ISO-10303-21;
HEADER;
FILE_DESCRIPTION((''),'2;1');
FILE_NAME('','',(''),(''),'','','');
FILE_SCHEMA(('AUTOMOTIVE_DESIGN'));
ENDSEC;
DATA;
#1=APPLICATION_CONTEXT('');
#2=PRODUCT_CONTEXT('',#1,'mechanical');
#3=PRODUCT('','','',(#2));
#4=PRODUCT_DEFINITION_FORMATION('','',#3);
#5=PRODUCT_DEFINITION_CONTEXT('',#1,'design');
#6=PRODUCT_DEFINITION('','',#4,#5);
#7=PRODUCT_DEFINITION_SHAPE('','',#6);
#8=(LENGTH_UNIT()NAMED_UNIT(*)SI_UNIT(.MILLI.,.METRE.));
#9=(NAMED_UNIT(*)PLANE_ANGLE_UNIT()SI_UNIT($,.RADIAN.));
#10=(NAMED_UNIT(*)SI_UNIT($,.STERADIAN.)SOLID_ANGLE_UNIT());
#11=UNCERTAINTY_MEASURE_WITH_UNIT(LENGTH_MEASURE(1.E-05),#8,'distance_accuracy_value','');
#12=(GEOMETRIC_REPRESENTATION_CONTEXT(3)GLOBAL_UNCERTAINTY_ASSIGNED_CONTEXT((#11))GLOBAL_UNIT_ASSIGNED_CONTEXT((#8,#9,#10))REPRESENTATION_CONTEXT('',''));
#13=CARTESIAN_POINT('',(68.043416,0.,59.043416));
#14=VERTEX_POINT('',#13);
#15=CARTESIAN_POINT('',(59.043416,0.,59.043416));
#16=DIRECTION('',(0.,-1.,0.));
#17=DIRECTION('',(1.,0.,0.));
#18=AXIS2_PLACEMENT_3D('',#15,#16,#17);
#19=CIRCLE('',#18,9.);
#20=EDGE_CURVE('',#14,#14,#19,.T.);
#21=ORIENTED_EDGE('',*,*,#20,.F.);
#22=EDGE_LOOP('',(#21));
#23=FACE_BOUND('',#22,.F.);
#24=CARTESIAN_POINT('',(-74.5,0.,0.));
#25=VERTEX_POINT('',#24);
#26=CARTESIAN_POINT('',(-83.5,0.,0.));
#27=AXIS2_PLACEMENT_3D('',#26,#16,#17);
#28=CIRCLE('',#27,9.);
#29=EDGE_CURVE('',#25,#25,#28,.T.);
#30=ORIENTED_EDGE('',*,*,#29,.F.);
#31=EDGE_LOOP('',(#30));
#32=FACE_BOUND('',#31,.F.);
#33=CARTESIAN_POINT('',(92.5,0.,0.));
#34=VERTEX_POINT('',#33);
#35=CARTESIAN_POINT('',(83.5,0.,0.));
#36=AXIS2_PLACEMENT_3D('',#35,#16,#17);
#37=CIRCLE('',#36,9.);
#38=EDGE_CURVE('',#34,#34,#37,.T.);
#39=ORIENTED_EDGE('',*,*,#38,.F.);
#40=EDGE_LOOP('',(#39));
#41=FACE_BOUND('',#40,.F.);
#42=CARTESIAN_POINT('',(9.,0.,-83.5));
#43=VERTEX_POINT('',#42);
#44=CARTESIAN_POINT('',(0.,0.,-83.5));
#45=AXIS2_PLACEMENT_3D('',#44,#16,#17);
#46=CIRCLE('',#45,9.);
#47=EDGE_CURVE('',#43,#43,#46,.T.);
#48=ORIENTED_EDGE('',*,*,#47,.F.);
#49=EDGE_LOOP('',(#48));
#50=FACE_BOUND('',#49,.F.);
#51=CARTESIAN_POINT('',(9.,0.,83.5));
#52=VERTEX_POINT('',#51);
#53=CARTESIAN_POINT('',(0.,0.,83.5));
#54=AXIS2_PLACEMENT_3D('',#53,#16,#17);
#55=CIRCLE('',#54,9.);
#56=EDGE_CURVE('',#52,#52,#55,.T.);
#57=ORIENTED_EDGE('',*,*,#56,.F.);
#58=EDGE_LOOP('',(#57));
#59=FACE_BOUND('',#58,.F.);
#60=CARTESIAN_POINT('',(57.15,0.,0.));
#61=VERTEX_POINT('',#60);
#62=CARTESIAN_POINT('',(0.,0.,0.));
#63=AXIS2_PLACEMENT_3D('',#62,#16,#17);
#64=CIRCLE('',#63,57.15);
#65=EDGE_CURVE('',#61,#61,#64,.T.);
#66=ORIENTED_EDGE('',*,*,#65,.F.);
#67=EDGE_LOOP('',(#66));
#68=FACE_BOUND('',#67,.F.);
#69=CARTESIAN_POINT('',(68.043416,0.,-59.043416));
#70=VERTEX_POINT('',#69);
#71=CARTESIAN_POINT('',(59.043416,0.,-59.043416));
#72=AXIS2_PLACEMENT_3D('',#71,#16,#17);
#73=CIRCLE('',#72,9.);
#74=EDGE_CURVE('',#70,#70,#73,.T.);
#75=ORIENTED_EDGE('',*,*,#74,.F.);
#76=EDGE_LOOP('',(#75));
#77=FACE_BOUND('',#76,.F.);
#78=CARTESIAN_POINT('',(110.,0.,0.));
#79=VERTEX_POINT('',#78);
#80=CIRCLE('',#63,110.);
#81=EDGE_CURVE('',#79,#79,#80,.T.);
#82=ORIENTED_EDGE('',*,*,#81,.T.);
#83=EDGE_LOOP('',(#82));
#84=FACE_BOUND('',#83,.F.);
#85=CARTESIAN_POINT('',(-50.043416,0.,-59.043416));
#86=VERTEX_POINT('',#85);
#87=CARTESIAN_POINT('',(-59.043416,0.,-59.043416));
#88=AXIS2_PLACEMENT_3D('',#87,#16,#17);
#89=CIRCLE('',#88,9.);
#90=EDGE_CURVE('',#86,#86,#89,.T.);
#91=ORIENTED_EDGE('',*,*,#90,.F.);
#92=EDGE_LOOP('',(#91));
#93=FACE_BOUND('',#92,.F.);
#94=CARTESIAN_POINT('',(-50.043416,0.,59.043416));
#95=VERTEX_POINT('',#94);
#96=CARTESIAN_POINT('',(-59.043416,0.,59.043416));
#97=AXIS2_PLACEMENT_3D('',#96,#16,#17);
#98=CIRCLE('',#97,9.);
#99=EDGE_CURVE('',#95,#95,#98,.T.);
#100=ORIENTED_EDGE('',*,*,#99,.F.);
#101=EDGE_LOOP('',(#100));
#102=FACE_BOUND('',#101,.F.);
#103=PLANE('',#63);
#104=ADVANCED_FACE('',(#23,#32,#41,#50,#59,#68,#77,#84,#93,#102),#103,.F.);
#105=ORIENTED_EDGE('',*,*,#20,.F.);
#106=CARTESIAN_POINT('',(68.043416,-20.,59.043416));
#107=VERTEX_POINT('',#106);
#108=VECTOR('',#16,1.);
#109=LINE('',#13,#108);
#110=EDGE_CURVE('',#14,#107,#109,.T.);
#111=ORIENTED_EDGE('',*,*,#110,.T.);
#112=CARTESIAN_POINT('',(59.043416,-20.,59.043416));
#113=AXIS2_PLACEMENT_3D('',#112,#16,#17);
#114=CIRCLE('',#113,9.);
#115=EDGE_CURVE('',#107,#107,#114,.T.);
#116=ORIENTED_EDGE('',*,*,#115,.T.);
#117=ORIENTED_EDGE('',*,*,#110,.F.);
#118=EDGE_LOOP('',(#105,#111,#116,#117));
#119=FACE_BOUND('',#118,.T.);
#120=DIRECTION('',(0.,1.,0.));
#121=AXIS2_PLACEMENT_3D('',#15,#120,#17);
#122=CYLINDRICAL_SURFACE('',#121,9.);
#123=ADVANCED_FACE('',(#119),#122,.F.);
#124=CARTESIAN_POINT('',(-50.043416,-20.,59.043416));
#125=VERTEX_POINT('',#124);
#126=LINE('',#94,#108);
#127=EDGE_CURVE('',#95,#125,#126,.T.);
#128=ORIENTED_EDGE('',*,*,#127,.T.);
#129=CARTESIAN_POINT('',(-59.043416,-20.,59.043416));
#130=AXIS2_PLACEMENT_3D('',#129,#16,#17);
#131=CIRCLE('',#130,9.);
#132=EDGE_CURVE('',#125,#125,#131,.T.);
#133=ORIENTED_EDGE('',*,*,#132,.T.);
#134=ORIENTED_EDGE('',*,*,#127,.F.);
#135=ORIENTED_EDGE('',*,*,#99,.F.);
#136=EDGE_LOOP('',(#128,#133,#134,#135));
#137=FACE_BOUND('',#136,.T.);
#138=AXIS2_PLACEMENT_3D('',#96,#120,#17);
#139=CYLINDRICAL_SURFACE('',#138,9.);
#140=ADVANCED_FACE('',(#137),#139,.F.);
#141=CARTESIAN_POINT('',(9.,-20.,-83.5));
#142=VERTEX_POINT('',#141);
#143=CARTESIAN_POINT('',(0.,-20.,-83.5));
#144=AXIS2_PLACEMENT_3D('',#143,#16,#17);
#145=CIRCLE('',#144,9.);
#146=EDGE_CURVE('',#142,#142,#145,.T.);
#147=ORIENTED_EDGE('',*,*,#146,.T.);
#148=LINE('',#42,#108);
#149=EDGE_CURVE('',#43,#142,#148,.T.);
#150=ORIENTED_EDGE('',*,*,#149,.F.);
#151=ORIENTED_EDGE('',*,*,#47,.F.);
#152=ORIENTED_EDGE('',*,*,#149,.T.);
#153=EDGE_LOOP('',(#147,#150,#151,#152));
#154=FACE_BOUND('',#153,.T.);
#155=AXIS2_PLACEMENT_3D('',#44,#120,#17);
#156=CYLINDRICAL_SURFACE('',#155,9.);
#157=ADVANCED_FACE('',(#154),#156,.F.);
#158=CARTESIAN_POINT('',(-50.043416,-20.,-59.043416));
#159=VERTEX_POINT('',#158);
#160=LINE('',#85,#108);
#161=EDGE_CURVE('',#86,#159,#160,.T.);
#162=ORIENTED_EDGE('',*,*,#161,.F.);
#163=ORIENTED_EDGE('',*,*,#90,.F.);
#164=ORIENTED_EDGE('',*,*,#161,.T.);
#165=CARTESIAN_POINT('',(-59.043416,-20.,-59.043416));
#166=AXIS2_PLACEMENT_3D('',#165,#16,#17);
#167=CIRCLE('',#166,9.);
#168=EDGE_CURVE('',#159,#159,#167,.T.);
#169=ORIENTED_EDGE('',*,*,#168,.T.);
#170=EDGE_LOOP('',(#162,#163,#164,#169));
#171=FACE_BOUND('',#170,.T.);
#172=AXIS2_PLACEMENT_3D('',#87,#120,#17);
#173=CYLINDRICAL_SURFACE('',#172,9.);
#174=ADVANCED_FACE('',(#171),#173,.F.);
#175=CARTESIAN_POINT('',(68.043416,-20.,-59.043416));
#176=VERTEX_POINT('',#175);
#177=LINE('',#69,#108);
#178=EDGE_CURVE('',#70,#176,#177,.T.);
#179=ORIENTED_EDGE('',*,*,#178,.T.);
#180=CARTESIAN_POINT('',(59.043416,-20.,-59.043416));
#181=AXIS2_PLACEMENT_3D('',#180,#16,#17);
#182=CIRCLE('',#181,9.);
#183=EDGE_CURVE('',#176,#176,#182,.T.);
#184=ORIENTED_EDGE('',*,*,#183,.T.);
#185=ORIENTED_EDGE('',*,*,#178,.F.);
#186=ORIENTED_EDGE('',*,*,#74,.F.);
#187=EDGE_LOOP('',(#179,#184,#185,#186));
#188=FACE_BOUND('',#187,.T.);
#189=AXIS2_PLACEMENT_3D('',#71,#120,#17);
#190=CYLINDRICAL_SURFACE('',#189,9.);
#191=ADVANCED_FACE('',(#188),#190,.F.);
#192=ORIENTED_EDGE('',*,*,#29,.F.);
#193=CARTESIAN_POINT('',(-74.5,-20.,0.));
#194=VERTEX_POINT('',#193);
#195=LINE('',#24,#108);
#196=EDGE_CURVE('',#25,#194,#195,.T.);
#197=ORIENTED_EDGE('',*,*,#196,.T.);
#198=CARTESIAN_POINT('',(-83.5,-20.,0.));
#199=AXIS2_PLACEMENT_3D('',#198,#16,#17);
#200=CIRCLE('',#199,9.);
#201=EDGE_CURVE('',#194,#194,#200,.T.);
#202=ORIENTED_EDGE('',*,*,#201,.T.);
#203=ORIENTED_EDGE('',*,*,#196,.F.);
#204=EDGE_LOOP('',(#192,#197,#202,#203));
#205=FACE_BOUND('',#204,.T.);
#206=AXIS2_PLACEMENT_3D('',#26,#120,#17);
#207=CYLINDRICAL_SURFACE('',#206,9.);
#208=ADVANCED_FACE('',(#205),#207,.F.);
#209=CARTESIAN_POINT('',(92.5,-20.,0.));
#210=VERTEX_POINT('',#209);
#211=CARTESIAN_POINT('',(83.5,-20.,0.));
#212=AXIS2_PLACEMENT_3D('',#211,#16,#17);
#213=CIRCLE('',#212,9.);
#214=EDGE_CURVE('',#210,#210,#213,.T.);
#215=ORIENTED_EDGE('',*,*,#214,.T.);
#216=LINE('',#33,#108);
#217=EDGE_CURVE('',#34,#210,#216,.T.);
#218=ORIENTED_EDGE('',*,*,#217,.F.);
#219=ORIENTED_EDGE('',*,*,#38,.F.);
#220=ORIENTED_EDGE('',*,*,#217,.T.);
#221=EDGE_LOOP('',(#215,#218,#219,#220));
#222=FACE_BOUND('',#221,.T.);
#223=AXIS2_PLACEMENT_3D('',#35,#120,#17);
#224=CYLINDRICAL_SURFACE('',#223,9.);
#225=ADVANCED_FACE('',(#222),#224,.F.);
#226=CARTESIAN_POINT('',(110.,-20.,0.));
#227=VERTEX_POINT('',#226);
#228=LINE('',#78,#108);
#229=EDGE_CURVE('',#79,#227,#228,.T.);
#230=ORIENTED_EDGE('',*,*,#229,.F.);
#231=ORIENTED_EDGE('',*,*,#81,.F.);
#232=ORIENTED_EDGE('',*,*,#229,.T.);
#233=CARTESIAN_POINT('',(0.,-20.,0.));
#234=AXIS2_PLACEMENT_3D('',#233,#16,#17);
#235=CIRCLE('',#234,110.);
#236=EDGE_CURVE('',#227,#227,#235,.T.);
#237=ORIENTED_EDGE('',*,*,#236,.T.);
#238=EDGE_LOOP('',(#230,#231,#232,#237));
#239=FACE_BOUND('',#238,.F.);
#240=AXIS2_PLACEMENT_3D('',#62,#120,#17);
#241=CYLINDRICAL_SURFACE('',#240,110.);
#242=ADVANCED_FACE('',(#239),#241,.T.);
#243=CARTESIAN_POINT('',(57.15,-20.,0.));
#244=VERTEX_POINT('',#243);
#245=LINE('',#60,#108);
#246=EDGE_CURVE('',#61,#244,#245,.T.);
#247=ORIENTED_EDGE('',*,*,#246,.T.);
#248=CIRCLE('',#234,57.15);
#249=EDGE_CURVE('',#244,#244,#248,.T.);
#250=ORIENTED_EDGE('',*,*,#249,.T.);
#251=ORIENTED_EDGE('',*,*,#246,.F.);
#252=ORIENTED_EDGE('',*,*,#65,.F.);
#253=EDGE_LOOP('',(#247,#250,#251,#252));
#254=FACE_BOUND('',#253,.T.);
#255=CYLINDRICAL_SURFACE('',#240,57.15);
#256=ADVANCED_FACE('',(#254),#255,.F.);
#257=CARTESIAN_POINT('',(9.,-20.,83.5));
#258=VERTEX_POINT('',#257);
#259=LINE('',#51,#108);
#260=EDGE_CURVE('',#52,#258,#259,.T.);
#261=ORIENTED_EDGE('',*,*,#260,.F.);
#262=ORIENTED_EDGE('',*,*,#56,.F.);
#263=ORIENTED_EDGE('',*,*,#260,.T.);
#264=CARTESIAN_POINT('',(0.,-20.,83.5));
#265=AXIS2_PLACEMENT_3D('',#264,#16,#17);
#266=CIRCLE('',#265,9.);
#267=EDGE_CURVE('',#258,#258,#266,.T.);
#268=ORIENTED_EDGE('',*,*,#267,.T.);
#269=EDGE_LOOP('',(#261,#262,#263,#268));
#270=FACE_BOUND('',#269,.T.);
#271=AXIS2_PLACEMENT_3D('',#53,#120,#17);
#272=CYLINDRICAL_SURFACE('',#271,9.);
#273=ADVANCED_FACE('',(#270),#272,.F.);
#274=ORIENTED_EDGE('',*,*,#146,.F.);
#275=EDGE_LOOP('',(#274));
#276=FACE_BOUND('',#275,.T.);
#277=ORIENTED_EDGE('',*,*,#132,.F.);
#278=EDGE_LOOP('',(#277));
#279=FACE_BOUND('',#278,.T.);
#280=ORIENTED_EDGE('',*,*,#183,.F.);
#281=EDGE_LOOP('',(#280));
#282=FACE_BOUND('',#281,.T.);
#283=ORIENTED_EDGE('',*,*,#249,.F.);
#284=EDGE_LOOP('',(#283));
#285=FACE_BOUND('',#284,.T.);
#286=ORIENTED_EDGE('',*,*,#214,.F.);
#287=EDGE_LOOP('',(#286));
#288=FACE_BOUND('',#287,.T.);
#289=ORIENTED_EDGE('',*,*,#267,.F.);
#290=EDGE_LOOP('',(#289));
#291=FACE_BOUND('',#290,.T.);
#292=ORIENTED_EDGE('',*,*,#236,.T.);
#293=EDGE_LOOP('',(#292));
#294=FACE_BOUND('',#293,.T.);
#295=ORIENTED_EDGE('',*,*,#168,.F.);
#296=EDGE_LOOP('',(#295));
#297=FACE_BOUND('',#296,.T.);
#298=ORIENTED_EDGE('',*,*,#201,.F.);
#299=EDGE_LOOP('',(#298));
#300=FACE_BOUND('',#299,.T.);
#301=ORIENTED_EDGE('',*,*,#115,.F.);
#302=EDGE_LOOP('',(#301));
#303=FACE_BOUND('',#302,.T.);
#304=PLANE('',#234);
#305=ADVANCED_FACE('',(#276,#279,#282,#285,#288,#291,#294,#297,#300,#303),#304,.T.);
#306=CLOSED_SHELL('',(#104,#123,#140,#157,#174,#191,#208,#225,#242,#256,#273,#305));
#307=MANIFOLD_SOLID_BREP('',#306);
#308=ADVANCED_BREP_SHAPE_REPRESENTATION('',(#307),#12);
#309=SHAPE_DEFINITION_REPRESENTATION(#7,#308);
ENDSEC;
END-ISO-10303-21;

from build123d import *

# Parameters (mm, degrees)
F0_R     = 110
F0_R_2   = 9
F0_R_3   = 57.15
F1_DEPTH = 20


with BuildPart() as f1:
    # F0 (on Front) → F1 (new body)
    with BuildSketch(Plane.XZ):
        Circle(F0_R)
        with Locations((-59.043416, -59.043416)):
            Circle(F0_R_2, mode=Mode.SUBTRACT)
        with Locations((0, -83.5)):
            Circle(F0_R_2, mode=Mode.SUBTRACT)
        with Locations((59.043416, -59.043416)):
            Circle(F0_R_2, mode=Mode.SUBTRACT)
        with Locations((-83.5, 0)):
            Circle(F0_R_2, mode=Mode.SUBTRACT)
        with Locations((-59.043416, 59.043416)):
            Circle(F0_R_2, mode=Mode.SUBTRACT)
        Circle(F0_R_3, mode=Mode.SUBTRACT)
        with Locations((83.5, 0)):
            Circle(F0_R_2, mode=Mode.SUBTRACT)
        with Locations((0, 83.5)):
            Circle(F0_R_2, mode=Mode.SUBTRACT)
        with Locations((59.043416, 59.043416)):
            Circle(F0_R_2, mode=Mode.SUBTRACT)
    extrude(amount=F1_DEPTH)


solid = f1.part
